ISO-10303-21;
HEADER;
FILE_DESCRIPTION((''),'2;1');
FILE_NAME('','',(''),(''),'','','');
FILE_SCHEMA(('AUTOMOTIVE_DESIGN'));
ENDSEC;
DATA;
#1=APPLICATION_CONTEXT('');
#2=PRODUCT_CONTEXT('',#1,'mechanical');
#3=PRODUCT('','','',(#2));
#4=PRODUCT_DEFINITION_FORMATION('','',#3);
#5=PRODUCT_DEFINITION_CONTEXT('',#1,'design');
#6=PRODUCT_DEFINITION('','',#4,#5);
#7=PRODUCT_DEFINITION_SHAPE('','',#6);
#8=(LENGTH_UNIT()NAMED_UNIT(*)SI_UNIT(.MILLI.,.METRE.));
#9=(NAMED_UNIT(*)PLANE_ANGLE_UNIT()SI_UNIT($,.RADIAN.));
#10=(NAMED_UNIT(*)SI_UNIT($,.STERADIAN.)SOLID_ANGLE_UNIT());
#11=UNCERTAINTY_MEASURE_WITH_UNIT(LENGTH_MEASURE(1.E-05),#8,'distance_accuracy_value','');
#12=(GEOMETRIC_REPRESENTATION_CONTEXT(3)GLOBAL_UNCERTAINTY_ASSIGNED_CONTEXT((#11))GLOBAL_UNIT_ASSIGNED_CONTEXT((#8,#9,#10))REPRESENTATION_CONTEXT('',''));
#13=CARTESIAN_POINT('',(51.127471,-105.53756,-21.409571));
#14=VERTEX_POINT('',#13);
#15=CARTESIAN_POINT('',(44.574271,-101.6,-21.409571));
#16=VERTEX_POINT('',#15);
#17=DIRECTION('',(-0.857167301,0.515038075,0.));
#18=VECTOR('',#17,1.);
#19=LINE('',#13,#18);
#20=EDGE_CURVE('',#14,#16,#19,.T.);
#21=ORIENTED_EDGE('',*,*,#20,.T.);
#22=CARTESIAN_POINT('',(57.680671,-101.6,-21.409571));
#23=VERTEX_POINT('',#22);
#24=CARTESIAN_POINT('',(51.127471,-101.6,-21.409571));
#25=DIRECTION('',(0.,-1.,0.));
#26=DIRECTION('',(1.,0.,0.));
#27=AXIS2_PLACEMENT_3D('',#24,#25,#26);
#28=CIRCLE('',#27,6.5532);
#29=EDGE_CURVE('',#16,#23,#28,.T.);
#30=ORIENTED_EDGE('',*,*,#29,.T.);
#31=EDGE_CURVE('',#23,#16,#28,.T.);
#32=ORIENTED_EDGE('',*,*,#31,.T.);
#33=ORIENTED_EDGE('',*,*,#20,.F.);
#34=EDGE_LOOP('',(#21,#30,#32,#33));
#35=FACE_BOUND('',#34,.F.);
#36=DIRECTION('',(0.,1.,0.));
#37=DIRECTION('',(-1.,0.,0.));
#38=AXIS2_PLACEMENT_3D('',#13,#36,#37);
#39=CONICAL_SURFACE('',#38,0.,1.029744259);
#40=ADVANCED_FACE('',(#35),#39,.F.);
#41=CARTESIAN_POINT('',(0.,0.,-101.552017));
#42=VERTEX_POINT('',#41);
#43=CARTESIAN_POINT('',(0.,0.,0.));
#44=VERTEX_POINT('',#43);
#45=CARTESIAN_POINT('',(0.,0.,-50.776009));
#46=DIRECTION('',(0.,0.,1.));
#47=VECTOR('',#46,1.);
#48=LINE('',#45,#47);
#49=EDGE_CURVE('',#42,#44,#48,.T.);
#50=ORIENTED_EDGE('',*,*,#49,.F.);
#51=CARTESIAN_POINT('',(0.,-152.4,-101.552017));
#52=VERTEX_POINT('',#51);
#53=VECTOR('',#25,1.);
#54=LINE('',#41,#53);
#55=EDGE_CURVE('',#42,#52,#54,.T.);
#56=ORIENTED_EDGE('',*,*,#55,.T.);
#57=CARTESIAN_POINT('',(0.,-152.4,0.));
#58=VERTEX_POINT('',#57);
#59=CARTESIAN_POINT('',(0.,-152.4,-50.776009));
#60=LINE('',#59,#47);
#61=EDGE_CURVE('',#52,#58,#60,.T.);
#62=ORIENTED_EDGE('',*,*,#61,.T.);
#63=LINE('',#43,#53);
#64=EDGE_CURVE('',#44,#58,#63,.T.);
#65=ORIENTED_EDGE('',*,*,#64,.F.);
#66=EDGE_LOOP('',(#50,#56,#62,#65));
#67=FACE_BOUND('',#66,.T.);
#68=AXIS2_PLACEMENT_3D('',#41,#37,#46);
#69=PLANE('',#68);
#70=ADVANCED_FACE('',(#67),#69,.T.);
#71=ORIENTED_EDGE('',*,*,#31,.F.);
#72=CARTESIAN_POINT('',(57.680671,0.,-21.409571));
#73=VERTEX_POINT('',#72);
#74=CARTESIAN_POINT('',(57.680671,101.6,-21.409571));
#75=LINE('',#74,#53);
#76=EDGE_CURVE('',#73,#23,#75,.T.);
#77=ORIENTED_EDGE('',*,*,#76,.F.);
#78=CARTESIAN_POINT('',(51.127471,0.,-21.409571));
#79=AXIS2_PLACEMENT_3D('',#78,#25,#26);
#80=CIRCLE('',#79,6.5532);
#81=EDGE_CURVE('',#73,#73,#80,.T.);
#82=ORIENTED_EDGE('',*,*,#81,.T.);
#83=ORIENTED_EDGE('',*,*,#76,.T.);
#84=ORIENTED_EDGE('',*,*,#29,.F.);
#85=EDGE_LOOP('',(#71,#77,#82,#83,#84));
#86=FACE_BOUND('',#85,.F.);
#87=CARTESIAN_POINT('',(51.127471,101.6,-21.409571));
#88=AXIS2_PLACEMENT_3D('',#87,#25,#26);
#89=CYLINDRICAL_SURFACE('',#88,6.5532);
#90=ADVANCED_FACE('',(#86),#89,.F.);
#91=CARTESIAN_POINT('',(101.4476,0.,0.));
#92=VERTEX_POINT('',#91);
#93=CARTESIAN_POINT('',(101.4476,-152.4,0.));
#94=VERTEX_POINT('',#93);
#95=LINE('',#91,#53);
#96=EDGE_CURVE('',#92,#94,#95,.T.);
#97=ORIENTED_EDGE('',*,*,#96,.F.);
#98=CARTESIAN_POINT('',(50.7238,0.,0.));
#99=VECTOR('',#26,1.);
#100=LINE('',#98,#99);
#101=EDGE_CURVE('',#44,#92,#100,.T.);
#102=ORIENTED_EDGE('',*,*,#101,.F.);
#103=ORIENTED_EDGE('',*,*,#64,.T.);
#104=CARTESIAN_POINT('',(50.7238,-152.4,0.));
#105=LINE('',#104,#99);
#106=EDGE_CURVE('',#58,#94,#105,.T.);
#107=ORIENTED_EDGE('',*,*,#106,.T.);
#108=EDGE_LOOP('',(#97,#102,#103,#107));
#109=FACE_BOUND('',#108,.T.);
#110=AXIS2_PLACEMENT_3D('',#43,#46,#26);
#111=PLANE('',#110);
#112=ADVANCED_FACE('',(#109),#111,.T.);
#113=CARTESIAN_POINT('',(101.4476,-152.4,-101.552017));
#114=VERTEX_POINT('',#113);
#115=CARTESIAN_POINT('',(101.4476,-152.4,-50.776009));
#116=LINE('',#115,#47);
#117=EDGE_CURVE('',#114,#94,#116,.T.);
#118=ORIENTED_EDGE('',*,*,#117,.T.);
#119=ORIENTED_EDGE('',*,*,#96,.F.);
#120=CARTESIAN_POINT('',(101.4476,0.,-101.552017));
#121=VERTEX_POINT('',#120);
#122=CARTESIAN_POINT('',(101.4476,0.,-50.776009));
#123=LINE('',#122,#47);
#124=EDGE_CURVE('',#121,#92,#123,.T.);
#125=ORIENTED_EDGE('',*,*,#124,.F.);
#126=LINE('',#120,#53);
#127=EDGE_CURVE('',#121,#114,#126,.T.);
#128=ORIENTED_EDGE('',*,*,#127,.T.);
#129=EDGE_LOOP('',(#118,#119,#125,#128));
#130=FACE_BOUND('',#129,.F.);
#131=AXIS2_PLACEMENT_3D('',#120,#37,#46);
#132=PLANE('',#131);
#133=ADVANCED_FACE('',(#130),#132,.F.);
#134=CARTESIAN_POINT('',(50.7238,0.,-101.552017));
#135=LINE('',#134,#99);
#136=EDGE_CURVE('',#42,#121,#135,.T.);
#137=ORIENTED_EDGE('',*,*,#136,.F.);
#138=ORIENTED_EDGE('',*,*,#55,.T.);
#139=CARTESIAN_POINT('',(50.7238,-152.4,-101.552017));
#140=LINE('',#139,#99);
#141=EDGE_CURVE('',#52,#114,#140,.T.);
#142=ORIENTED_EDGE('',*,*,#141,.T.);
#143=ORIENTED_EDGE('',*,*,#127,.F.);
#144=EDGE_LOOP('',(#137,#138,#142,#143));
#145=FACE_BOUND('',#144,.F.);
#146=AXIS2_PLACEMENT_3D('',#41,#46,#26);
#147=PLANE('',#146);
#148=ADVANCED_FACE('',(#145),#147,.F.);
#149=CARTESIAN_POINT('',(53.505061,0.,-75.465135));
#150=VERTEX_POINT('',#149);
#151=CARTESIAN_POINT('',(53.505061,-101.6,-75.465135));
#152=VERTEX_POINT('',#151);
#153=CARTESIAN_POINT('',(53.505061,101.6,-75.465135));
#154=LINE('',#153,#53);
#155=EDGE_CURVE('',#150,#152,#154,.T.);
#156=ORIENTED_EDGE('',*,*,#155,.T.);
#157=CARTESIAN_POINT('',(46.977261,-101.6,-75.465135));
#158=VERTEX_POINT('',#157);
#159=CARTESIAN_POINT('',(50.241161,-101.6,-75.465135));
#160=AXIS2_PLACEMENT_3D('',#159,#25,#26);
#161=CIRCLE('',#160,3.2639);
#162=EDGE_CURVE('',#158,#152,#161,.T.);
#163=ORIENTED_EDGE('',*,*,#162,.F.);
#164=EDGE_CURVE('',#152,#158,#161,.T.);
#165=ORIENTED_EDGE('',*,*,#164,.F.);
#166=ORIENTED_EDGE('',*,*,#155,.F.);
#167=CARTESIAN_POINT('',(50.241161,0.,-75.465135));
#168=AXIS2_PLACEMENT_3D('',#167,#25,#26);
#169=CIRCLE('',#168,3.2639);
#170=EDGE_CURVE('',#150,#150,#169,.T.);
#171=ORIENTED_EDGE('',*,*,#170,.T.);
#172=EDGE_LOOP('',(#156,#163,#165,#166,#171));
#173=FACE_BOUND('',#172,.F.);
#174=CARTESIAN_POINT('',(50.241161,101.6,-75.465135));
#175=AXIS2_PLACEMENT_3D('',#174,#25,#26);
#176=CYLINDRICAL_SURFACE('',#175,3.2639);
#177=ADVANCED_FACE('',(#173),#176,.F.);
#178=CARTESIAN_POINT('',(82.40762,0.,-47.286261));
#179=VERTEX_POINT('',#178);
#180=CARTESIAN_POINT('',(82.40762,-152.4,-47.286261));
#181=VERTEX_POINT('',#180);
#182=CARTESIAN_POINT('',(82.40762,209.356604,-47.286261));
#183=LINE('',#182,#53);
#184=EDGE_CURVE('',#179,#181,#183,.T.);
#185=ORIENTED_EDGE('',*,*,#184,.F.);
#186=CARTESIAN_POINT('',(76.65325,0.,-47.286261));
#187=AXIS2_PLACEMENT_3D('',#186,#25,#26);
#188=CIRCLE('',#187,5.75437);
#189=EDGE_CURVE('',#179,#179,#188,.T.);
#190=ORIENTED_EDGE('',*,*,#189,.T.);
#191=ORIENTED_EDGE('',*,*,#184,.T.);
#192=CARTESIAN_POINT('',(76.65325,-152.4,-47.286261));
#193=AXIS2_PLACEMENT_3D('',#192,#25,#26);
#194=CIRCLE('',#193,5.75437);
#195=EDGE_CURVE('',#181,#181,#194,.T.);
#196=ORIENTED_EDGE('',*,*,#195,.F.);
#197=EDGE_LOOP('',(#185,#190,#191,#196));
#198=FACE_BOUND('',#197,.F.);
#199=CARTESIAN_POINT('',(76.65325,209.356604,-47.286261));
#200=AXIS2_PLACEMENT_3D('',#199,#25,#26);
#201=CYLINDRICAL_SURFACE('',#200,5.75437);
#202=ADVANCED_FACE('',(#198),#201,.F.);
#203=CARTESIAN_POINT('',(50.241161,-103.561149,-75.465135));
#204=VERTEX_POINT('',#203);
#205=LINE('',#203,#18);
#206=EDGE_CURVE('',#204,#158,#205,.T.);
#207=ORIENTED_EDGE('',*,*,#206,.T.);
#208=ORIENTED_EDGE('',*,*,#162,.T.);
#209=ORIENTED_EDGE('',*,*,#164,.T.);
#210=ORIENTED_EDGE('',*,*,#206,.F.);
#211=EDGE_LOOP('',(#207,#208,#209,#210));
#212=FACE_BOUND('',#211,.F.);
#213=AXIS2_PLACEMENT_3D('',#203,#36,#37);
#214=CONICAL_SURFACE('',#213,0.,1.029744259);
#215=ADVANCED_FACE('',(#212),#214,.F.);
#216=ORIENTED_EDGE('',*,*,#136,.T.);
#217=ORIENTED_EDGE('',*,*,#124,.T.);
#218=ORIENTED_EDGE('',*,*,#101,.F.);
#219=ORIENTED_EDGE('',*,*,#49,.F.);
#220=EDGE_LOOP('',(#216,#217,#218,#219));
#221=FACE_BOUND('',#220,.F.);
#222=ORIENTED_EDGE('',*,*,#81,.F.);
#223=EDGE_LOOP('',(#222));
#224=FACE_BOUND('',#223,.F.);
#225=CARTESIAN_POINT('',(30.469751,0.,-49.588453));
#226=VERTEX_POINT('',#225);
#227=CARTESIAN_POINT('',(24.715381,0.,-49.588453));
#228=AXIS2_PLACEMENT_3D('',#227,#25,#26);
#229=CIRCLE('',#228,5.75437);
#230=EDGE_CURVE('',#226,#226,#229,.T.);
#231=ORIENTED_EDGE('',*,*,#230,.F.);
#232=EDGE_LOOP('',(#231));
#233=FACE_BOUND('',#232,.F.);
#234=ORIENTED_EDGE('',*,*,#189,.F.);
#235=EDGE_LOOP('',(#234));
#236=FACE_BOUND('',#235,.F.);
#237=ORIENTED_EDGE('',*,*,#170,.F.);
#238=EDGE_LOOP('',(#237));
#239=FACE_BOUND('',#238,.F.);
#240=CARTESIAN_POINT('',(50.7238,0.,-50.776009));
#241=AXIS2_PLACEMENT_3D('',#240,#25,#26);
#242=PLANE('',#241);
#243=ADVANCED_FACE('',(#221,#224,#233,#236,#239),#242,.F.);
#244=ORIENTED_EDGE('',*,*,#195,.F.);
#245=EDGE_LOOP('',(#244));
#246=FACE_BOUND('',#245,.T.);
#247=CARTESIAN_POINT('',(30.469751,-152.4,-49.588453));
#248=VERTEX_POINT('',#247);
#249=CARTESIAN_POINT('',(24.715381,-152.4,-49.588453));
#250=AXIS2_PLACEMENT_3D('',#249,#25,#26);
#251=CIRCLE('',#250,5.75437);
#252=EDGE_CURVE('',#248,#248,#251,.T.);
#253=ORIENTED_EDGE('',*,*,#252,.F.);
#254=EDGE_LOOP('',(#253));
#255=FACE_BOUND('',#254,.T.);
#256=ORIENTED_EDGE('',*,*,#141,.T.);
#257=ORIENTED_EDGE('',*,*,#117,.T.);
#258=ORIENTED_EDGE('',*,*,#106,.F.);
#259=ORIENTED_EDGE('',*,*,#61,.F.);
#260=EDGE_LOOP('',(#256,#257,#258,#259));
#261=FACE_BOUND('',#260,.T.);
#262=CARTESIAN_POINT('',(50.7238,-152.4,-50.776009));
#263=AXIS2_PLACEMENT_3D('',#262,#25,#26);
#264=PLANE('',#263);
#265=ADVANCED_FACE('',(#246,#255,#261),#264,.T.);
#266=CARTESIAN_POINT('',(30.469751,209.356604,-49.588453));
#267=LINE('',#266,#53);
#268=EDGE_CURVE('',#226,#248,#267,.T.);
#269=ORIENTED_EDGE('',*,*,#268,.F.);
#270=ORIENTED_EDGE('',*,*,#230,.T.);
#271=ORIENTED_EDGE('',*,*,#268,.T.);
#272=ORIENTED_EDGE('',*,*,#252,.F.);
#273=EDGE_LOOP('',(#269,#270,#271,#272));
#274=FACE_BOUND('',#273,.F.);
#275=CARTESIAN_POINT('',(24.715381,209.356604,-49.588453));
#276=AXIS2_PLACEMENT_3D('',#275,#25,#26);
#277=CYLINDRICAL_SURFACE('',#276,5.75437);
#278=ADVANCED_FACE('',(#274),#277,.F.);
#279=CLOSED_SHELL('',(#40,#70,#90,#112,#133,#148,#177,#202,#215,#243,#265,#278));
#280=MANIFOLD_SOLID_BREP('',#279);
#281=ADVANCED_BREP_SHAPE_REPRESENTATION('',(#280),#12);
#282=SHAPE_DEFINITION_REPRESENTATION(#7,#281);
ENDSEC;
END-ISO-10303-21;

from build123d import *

# Parameters (mm, degrees)
F0_W     = 101.4476
F0_H     = 101.5520170331
F1_DEPTH = 152.4
F5_D     = 11.50874
F6_D     = 13.1064
F6_DEPTH = 101.6
F6_TIP   = 3.9375598086
F7_D     = 6.5278
F7_DEPTH = 101.6
F7_TIP   = 1.9611489744


with BuildPart() as f1:
    # F0 (on Front) → F1 (new body)
    with BuildSketch(Plane.XZ):
        with Locations((50.7238, -50.7760085166)):
            Rectangle(F0_W, F0_H)
    extrude(amount=F1_DEPTH)

    # F5 (through all)
    with Locations(Plane(origin=(0, 0, 0), x_dir=(-1, 0, 0), z_dir=(0, 1, 0))):
        with Locations((-76.6532495618, -47.2862608731), (-24.7153807431, -49.5884530246)):
            Hole(F5_D / 2)

    # F6
    with Locations(Plane(origin=(0, 0, 0), x_dir=(-1, 0, 0), z_dir=(0, 1, 0))):
        with Locations((-51.1274710298, -21.4095711708)):
            Hole(F6_D / 2, depth=F6_DEPTH)
            with Locations((0, 0, -(F6_DEPTH + F6_TIP / 2))):  # 118° drill point
                Cone(0, F6_D / 2, F6_TIP, mode=Mode.SUBTRACT)

    # F7
    with Locations(Plane(origin=(0, 0, 0), x_dir=(-1, 0, 0), z_dir=(0, 1, 0))):
        with Locations((-50.2411611378, -75.4651352763)):
            Hole(F7_D / 2, depth=F7_DEPTH)
            with Locations((0, 0, -(F7_DEPTH + F7_TIP / 2))):  # 118° drill point
                Cone(0, F7_D / 2, F7_TIP, mode=Mode.SUBTRACT)


solid = f1.part
